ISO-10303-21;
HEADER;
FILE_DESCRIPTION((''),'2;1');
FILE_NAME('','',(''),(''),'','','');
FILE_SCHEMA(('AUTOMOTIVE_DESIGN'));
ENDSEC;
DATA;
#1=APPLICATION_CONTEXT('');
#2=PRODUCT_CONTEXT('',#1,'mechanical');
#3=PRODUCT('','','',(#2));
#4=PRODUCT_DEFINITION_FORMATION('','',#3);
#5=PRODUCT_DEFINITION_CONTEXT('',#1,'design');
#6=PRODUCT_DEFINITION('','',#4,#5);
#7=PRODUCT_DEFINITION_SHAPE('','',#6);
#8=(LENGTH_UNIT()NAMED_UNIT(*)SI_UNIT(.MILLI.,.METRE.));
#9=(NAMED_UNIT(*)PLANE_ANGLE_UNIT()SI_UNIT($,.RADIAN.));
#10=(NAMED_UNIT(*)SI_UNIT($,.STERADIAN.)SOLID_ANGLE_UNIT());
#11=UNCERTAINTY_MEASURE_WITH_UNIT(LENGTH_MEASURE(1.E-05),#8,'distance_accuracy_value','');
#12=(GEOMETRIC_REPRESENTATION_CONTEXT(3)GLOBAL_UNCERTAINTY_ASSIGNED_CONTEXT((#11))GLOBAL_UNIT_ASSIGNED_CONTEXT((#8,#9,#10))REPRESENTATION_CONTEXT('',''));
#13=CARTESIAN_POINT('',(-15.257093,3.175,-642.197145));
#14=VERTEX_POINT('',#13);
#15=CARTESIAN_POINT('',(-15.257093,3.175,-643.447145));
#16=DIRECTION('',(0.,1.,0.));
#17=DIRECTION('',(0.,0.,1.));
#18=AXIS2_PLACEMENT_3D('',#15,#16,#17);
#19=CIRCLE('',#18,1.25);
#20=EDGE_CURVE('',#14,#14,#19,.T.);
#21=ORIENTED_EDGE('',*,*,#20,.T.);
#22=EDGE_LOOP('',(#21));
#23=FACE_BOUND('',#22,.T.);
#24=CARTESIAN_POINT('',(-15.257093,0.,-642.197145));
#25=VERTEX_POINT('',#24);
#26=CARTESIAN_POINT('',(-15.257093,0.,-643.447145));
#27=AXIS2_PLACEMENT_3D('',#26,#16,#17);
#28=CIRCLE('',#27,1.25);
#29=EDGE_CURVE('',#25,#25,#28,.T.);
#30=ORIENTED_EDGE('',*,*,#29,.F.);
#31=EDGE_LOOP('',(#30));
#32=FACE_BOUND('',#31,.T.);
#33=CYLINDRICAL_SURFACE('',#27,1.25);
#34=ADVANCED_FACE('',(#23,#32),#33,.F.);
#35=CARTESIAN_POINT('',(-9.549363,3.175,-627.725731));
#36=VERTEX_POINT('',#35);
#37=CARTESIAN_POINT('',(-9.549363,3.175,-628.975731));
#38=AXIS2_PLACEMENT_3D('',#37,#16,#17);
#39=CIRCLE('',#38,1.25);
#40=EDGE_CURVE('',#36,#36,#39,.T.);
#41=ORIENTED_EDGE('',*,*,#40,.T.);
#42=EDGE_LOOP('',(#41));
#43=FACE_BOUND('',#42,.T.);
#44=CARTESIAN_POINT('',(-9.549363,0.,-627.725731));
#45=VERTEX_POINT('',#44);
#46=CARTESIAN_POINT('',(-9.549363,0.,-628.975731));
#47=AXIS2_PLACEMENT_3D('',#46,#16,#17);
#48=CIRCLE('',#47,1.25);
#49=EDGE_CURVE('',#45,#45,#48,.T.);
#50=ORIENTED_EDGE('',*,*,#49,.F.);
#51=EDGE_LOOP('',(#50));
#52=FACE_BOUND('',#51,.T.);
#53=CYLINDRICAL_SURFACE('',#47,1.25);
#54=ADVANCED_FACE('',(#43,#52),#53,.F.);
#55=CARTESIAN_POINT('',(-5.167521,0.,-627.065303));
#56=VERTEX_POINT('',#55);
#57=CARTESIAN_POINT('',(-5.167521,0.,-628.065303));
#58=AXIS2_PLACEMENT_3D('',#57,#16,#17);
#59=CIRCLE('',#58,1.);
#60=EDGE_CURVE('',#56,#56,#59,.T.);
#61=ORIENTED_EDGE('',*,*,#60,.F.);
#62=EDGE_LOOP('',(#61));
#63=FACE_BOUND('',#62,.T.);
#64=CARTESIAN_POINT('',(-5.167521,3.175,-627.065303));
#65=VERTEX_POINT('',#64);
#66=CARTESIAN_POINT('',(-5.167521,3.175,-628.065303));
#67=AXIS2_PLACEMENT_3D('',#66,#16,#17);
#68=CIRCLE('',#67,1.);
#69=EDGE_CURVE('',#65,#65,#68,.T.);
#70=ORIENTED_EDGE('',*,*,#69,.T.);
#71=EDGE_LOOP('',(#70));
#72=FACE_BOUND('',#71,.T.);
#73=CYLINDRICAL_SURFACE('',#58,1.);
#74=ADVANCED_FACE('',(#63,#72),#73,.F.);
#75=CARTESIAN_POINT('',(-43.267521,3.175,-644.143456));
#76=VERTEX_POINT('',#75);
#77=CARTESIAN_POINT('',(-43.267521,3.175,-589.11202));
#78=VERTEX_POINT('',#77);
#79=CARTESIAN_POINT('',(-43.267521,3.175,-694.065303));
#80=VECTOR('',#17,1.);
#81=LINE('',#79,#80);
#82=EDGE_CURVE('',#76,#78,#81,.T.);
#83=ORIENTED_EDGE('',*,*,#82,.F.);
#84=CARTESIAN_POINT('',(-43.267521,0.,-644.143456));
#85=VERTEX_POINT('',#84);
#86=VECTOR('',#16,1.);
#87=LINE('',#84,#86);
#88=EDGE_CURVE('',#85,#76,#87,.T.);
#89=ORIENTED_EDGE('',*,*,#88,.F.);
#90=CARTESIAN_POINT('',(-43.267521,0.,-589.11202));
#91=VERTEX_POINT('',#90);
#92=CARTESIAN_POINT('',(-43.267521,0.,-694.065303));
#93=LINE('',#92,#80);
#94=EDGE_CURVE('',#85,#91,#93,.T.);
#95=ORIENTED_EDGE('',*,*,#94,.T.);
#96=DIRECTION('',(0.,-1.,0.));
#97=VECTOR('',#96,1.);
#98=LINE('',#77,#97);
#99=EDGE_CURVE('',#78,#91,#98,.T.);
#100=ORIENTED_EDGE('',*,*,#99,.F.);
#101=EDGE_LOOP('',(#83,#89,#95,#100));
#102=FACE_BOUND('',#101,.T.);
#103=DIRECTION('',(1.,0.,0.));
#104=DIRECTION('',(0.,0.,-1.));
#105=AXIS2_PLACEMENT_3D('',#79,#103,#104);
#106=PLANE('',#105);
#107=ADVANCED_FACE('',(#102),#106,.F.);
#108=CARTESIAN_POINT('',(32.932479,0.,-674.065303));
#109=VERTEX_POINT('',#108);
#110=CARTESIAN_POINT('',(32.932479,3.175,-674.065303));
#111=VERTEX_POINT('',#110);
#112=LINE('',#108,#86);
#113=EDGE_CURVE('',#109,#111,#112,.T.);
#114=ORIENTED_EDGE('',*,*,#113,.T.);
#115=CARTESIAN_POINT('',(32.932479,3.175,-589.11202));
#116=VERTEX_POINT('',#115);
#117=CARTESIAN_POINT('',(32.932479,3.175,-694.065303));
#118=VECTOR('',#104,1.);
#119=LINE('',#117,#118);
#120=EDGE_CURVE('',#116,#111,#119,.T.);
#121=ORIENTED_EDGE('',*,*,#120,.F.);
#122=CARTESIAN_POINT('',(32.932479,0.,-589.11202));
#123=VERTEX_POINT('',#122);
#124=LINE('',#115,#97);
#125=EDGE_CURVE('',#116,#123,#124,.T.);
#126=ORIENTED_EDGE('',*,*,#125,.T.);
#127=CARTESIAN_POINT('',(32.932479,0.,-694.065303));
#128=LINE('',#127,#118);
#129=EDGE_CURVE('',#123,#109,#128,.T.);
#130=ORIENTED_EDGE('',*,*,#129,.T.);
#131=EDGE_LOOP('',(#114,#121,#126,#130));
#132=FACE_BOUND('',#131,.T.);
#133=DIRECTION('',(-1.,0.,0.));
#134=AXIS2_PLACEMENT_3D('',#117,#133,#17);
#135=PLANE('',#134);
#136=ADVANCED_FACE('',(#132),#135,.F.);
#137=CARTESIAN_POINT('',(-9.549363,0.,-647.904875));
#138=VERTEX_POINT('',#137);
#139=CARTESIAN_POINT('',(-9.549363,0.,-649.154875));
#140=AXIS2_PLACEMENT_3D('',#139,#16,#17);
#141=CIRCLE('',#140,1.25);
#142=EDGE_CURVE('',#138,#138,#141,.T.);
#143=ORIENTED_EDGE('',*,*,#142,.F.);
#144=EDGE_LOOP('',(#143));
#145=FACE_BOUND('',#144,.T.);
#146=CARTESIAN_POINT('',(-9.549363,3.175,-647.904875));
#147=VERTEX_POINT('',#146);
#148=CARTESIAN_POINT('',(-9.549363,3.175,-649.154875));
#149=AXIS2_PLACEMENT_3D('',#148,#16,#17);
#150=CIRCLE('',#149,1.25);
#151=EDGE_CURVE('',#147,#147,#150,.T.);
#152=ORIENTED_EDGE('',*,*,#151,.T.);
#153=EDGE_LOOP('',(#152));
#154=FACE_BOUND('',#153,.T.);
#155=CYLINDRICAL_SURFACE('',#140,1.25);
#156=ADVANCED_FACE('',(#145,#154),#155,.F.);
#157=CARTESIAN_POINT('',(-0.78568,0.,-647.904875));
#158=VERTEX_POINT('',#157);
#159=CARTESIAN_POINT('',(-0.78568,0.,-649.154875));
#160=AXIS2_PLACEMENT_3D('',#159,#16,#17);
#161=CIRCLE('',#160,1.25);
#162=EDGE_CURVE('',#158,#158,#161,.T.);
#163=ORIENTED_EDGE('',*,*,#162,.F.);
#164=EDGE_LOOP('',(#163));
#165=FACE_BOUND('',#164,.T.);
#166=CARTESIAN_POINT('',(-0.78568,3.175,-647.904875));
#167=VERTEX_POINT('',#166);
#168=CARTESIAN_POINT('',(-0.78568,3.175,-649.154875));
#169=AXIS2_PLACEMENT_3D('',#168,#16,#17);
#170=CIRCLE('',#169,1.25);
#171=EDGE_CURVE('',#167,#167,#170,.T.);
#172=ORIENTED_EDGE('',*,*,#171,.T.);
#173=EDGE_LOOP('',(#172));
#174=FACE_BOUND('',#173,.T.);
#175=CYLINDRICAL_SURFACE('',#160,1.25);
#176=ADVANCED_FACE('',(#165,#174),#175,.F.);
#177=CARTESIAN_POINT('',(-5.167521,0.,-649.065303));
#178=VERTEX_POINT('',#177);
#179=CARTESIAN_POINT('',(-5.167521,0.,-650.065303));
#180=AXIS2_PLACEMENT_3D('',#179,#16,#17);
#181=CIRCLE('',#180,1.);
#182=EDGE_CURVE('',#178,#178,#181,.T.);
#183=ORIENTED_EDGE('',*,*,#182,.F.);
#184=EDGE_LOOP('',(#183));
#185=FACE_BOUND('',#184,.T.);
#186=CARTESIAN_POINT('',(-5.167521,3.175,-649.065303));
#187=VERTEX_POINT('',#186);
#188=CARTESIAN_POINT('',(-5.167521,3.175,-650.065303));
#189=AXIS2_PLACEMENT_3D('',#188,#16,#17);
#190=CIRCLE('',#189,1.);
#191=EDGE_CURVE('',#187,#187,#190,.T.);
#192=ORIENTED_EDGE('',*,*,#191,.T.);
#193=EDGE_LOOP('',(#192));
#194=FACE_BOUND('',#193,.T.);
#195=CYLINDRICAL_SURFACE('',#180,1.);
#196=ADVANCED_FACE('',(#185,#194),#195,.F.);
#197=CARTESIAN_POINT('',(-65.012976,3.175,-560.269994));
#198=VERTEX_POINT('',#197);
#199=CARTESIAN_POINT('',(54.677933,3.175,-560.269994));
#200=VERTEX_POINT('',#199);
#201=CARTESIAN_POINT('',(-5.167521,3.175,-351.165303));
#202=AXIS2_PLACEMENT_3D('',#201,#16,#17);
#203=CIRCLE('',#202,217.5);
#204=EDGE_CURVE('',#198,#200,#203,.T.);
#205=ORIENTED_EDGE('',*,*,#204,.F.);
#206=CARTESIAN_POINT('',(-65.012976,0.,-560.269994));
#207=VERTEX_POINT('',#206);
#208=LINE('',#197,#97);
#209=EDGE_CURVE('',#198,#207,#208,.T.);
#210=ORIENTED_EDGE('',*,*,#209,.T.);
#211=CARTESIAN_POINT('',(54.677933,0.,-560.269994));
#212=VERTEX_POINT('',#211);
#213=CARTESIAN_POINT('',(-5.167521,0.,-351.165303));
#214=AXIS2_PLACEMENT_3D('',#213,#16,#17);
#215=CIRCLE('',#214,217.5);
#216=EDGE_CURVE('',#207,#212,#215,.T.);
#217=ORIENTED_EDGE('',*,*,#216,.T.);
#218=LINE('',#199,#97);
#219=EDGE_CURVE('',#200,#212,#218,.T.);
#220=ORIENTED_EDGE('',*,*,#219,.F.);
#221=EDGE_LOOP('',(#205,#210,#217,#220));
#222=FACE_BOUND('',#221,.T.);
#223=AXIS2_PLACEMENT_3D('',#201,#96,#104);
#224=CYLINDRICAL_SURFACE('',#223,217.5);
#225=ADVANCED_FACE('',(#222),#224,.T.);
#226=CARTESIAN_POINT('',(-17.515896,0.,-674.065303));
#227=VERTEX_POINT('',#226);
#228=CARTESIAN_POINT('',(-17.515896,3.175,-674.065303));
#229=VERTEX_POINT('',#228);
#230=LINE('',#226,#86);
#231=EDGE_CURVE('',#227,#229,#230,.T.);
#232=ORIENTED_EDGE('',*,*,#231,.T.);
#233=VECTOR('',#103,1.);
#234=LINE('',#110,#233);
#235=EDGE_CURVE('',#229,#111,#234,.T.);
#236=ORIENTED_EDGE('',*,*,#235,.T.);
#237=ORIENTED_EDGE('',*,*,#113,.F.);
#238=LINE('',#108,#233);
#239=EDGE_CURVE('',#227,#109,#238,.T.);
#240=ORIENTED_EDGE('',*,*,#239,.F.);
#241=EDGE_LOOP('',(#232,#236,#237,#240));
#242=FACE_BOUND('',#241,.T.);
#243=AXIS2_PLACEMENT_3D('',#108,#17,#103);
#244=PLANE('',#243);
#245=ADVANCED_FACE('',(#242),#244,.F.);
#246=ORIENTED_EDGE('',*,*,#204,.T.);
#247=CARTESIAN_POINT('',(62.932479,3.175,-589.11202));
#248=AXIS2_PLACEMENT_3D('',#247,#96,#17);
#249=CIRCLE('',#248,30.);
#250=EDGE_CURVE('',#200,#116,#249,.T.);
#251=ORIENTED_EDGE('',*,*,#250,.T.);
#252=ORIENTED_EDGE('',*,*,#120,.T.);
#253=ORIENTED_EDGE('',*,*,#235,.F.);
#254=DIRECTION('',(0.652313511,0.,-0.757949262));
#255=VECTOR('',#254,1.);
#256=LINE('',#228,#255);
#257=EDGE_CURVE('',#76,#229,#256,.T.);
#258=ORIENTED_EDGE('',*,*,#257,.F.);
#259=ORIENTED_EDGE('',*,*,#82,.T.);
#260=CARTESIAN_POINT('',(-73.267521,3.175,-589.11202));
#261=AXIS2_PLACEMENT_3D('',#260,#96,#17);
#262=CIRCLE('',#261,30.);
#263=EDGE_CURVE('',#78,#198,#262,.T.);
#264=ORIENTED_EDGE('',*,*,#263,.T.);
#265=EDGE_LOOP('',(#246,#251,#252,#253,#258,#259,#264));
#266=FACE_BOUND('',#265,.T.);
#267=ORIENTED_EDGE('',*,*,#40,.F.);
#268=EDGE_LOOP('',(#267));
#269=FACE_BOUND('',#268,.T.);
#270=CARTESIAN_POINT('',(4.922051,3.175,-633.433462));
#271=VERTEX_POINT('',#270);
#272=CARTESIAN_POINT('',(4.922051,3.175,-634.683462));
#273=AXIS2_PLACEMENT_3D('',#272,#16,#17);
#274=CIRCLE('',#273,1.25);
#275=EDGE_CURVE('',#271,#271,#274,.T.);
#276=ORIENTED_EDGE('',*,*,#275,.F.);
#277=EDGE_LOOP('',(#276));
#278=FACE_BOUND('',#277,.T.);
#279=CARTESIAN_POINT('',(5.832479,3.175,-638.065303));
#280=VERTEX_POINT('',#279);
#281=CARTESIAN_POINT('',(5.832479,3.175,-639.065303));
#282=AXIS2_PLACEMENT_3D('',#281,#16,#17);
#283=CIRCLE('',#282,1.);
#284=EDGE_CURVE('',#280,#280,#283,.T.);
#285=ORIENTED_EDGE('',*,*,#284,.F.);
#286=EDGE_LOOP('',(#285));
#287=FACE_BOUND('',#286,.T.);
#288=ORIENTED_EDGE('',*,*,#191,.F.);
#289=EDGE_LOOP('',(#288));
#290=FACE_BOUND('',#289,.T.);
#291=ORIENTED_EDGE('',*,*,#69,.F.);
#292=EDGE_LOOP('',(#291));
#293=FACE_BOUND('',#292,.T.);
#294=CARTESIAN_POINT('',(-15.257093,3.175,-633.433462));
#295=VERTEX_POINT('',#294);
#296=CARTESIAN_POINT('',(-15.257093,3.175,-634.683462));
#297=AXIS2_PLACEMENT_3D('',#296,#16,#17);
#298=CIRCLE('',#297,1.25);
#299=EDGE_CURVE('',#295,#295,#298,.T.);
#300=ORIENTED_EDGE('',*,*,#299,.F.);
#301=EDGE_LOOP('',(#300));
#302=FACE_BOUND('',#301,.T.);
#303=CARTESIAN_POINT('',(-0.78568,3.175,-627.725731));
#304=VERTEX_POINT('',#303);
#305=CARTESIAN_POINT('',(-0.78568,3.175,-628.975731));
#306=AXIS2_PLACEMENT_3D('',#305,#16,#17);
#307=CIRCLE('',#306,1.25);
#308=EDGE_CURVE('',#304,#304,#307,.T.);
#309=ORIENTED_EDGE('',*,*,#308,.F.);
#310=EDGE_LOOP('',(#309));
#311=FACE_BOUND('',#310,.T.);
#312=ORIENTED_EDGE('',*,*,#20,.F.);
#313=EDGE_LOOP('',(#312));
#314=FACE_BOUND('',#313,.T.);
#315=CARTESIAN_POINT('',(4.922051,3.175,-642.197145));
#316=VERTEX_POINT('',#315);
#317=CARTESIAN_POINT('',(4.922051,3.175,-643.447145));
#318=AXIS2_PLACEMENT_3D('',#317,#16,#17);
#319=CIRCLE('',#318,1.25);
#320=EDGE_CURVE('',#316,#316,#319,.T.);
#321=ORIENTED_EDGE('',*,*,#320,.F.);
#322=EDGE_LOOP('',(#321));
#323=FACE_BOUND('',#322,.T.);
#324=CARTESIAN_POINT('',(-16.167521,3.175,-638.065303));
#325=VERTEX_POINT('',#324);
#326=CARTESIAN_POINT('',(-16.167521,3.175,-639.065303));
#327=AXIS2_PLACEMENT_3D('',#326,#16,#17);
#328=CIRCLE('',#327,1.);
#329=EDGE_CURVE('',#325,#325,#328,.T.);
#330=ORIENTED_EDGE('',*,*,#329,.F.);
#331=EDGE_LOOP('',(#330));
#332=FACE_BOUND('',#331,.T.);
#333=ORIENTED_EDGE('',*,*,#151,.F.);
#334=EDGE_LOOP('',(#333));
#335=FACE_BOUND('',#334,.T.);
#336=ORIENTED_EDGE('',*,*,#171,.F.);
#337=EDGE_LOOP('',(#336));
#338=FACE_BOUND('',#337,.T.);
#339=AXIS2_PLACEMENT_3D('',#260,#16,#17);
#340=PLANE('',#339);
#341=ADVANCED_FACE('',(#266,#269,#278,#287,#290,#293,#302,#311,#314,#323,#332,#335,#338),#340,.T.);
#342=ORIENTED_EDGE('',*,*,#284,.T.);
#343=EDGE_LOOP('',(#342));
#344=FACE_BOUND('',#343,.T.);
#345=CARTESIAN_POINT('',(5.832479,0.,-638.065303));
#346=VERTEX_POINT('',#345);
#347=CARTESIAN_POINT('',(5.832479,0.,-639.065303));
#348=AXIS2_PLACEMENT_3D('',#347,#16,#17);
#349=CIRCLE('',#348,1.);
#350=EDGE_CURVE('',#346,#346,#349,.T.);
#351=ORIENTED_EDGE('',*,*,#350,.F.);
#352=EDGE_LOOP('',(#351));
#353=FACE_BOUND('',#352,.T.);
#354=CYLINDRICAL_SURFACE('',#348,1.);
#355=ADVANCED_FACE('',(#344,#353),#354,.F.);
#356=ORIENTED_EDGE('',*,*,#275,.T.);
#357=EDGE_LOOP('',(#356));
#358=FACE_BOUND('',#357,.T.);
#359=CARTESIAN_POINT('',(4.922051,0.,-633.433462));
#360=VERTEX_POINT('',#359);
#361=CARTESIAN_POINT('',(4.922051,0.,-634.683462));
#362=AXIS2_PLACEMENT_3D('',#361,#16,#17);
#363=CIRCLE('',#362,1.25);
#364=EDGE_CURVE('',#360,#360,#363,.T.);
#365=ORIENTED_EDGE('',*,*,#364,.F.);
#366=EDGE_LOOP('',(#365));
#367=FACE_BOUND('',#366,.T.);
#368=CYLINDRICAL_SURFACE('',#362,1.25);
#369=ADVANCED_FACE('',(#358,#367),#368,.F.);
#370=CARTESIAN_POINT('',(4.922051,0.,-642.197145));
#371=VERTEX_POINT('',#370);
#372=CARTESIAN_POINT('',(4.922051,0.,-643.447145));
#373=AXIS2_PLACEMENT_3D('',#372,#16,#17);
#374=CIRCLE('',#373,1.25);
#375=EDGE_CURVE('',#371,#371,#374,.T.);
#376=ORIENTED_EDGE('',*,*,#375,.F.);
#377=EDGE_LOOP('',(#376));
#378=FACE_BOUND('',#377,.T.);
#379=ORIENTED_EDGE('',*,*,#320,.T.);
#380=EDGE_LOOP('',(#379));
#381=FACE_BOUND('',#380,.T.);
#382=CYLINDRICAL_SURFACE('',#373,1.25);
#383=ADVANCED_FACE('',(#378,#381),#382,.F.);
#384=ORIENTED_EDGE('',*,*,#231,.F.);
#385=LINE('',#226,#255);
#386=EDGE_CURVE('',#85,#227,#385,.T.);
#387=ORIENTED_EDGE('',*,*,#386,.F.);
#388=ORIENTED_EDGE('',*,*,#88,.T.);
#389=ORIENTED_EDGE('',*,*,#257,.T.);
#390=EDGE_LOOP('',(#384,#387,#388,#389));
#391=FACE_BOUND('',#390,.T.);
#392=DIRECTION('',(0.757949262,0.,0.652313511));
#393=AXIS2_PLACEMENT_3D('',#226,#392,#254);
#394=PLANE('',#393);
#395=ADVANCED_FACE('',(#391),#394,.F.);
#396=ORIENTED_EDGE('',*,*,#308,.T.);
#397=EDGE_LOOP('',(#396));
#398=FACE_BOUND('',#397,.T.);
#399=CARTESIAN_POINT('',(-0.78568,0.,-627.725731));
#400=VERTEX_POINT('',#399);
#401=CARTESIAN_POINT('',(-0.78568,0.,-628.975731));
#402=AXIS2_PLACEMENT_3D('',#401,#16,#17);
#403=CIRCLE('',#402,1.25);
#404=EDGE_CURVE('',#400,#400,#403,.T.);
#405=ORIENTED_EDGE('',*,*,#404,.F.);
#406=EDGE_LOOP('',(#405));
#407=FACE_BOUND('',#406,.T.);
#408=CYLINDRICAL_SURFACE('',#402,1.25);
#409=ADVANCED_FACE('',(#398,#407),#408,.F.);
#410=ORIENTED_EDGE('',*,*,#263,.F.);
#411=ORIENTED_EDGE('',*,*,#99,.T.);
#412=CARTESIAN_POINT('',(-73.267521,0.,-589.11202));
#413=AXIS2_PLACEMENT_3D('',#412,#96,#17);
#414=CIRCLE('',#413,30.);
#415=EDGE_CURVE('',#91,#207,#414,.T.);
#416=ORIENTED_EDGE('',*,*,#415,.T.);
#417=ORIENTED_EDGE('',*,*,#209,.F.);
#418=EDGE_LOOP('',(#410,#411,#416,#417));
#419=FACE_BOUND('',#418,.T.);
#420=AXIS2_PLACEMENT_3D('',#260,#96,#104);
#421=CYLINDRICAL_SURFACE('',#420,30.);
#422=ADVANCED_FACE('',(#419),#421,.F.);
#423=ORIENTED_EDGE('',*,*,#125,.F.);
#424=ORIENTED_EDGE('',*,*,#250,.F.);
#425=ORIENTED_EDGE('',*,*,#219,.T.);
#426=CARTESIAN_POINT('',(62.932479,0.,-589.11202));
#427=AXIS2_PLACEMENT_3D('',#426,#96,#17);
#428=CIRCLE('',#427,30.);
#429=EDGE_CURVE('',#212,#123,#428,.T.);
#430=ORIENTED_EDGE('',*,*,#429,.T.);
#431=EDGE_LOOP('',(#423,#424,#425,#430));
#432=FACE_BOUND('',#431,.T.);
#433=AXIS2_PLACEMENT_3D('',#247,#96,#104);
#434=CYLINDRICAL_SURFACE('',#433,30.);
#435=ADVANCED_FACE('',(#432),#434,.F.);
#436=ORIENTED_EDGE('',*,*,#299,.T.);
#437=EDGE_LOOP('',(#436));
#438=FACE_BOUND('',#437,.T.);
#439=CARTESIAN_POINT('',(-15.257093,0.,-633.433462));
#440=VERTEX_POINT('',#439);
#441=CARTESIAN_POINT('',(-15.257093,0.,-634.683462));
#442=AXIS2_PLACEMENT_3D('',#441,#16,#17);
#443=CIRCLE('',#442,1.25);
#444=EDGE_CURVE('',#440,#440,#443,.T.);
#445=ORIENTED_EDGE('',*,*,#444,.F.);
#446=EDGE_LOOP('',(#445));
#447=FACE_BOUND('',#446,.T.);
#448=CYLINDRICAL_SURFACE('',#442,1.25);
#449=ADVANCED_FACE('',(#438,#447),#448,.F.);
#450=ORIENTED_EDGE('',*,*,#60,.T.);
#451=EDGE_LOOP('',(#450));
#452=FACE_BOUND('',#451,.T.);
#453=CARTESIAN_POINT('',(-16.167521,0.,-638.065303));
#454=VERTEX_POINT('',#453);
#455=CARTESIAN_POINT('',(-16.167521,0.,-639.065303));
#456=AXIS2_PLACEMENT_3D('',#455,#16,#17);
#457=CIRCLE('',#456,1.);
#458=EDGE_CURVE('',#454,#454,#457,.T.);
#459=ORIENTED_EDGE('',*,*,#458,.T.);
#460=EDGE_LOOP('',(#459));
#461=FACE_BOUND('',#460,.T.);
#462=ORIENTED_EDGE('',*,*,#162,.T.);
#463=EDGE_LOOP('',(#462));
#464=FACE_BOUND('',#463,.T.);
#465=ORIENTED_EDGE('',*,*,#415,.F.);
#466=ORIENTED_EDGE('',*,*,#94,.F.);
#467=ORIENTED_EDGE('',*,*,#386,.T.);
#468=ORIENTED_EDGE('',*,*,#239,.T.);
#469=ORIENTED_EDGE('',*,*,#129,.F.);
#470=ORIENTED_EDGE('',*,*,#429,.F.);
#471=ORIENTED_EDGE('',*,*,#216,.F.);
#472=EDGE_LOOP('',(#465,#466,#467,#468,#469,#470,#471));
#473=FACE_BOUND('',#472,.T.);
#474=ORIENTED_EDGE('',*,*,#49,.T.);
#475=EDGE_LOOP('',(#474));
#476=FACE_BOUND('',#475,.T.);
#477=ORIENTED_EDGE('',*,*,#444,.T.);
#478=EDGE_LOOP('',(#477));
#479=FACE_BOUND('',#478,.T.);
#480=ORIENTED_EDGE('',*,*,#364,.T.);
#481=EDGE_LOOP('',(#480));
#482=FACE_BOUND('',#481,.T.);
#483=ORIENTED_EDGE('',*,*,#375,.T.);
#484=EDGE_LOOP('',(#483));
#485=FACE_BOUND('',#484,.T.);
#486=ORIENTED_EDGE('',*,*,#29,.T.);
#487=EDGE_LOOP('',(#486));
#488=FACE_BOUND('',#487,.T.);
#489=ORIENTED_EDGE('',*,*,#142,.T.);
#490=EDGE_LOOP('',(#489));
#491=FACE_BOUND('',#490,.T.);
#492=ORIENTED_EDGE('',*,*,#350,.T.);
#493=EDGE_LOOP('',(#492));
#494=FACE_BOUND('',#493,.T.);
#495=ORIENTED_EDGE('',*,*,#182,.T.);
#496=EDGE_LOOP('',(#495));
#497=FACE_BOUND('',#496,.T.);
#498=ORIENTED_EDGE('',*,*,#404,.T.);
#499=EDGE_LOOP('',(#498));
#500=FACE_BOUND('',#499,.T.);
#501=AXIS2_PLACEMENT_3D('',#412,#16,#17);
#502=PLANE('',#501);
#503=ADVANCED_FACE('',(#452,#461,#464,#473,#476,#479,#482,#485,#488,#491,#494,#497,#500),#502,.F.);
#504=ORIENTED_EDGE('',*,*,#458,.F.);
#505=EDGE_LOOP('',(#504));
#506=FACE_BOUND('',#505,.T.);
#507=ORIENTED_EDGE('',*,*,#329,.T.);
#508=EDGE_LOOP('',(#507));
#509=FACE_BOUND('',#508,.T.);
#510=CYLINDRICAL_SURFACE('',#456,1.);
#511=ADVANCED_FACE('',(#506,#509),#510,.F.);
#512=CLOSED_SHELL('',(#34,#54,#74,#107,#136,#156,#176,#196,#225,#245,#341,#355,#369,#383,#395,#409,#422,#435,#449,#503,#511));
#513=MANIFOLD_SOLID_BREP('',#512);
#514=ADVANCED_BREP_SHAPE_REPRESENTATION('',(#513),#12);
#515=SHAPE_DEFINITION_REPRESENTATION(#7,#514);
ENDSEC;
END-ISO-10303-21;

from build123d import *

# Parameters (mm, degrees)
BOSS_EXTRUDE1_DEPTH = 3.175
SKETCH20_R          = 1.25
SKETCH20_R_2        = 1
CUT_EXTRUDE1_DEPTH  = 4.175
CUT_EXTRUDE2_DEPTH  = 4.175


with BuildPart() as part:
    # Sketch1 → Boss-Extrude1 (new body)
    with BuildSketch(Plane(origin=(-1.297967049, 0, -318.957650502), x_dir=(1, 0, 0), z_dir=(0, 1, 0))):
        with BuildLine():
            Line((-41.969554108, 375.107652622), (34.230445892, 375.107652622))
            Line((34.230445892, 375.107652622), (34.230445892, 270.154369347))
            ThreePointArc((34.230445892, 270.154369347), (40.275943564, 252.093864975), (55.975900438, 241.312343077))
            ThreePointArc((55.975900438, 241.312343077), (-3.869554108, -185.292347378), (-63.715008653, 241.312343077))
            ThreePointArc((-63.715008653, 241.312343077), (-48.015051779, 252.093864975), (-41.969554108, 270.154369347))
            Line((-41.969554108, 270.154369347), (-41.969554108, 375.107652622))
        make_face()
    extrude(amount=BOSS_EXTRUDE1_DEPTH)

    # Sketch20 → Cut-Extrude1 (cut, through all)
    with BuildSketch(Plane(origin=(0, 3.175, 0), x_dir=(1, 0, 0), z_dir=(0, 1, 0))):
        with Locations((-15.257093255, 634.683461631)):
            Circle(SKETCH20_R)
        with Locations((-16.167521157, 639.065303124)):
            Circle(SKETCH20_R_2)
        with Locations((-15.257093255, 643.447144618)):
            Circle(SKETCH20_R)
        with Locations((-5.167521157, 628.065303124)):
            Circle(SKETCH20_R_2)
        with Locations((-9.549362651, 628.975731026)):
            Circle(SKETCH20_R)
        with Locations((-0.785679663, 628.975731026)):
            Circle(SKETCH20_R)
        with Locations((-9.549362651, 649.154875222)):
            Circle(SKETCH20_R)
        with Locations((-5.167521157, 650.065303124)):
            Circle(SKETCH20_R_2)
        with Locations((-0.785679663, 649.154875222)):
            Circle(SKETCH20_R)
        with Locations((4.922050941, 643.447144618)):
            Circle(SKETCH20_R)
        with Locations((5.832478843, 639.065303124)):
            Circle(SKETCH20_R_2)
        with Locations((4.922050941, 634.683461631)):
            Circle(SKETCH20_R)
    extrude(amount=-CUT_EXTRUDE1_DEPTH, mode=Mode.SUBTRACT)

    # Sketch21 → Cut-Extrude2 (cut, through all)
    with BuildSketch(Plane(origin=(0, 3.175, 0), x_dir=(1, 0, 0), z_dir=(0, 1, 0))):
        Polygon((32.932478843, 694.065303124), (-43.267521157, 694.065303124), (-43.267521157, 674.065303124), (-43.267521157, 644.143456202), (-17.515896333, 674.065303124), (32.932478843, 674.065303124), align=None)
    extrude(amount=-CUT_EXTRUDE2_DEPTH, mode=Mode.SUBTRACT)


solid = part.part
